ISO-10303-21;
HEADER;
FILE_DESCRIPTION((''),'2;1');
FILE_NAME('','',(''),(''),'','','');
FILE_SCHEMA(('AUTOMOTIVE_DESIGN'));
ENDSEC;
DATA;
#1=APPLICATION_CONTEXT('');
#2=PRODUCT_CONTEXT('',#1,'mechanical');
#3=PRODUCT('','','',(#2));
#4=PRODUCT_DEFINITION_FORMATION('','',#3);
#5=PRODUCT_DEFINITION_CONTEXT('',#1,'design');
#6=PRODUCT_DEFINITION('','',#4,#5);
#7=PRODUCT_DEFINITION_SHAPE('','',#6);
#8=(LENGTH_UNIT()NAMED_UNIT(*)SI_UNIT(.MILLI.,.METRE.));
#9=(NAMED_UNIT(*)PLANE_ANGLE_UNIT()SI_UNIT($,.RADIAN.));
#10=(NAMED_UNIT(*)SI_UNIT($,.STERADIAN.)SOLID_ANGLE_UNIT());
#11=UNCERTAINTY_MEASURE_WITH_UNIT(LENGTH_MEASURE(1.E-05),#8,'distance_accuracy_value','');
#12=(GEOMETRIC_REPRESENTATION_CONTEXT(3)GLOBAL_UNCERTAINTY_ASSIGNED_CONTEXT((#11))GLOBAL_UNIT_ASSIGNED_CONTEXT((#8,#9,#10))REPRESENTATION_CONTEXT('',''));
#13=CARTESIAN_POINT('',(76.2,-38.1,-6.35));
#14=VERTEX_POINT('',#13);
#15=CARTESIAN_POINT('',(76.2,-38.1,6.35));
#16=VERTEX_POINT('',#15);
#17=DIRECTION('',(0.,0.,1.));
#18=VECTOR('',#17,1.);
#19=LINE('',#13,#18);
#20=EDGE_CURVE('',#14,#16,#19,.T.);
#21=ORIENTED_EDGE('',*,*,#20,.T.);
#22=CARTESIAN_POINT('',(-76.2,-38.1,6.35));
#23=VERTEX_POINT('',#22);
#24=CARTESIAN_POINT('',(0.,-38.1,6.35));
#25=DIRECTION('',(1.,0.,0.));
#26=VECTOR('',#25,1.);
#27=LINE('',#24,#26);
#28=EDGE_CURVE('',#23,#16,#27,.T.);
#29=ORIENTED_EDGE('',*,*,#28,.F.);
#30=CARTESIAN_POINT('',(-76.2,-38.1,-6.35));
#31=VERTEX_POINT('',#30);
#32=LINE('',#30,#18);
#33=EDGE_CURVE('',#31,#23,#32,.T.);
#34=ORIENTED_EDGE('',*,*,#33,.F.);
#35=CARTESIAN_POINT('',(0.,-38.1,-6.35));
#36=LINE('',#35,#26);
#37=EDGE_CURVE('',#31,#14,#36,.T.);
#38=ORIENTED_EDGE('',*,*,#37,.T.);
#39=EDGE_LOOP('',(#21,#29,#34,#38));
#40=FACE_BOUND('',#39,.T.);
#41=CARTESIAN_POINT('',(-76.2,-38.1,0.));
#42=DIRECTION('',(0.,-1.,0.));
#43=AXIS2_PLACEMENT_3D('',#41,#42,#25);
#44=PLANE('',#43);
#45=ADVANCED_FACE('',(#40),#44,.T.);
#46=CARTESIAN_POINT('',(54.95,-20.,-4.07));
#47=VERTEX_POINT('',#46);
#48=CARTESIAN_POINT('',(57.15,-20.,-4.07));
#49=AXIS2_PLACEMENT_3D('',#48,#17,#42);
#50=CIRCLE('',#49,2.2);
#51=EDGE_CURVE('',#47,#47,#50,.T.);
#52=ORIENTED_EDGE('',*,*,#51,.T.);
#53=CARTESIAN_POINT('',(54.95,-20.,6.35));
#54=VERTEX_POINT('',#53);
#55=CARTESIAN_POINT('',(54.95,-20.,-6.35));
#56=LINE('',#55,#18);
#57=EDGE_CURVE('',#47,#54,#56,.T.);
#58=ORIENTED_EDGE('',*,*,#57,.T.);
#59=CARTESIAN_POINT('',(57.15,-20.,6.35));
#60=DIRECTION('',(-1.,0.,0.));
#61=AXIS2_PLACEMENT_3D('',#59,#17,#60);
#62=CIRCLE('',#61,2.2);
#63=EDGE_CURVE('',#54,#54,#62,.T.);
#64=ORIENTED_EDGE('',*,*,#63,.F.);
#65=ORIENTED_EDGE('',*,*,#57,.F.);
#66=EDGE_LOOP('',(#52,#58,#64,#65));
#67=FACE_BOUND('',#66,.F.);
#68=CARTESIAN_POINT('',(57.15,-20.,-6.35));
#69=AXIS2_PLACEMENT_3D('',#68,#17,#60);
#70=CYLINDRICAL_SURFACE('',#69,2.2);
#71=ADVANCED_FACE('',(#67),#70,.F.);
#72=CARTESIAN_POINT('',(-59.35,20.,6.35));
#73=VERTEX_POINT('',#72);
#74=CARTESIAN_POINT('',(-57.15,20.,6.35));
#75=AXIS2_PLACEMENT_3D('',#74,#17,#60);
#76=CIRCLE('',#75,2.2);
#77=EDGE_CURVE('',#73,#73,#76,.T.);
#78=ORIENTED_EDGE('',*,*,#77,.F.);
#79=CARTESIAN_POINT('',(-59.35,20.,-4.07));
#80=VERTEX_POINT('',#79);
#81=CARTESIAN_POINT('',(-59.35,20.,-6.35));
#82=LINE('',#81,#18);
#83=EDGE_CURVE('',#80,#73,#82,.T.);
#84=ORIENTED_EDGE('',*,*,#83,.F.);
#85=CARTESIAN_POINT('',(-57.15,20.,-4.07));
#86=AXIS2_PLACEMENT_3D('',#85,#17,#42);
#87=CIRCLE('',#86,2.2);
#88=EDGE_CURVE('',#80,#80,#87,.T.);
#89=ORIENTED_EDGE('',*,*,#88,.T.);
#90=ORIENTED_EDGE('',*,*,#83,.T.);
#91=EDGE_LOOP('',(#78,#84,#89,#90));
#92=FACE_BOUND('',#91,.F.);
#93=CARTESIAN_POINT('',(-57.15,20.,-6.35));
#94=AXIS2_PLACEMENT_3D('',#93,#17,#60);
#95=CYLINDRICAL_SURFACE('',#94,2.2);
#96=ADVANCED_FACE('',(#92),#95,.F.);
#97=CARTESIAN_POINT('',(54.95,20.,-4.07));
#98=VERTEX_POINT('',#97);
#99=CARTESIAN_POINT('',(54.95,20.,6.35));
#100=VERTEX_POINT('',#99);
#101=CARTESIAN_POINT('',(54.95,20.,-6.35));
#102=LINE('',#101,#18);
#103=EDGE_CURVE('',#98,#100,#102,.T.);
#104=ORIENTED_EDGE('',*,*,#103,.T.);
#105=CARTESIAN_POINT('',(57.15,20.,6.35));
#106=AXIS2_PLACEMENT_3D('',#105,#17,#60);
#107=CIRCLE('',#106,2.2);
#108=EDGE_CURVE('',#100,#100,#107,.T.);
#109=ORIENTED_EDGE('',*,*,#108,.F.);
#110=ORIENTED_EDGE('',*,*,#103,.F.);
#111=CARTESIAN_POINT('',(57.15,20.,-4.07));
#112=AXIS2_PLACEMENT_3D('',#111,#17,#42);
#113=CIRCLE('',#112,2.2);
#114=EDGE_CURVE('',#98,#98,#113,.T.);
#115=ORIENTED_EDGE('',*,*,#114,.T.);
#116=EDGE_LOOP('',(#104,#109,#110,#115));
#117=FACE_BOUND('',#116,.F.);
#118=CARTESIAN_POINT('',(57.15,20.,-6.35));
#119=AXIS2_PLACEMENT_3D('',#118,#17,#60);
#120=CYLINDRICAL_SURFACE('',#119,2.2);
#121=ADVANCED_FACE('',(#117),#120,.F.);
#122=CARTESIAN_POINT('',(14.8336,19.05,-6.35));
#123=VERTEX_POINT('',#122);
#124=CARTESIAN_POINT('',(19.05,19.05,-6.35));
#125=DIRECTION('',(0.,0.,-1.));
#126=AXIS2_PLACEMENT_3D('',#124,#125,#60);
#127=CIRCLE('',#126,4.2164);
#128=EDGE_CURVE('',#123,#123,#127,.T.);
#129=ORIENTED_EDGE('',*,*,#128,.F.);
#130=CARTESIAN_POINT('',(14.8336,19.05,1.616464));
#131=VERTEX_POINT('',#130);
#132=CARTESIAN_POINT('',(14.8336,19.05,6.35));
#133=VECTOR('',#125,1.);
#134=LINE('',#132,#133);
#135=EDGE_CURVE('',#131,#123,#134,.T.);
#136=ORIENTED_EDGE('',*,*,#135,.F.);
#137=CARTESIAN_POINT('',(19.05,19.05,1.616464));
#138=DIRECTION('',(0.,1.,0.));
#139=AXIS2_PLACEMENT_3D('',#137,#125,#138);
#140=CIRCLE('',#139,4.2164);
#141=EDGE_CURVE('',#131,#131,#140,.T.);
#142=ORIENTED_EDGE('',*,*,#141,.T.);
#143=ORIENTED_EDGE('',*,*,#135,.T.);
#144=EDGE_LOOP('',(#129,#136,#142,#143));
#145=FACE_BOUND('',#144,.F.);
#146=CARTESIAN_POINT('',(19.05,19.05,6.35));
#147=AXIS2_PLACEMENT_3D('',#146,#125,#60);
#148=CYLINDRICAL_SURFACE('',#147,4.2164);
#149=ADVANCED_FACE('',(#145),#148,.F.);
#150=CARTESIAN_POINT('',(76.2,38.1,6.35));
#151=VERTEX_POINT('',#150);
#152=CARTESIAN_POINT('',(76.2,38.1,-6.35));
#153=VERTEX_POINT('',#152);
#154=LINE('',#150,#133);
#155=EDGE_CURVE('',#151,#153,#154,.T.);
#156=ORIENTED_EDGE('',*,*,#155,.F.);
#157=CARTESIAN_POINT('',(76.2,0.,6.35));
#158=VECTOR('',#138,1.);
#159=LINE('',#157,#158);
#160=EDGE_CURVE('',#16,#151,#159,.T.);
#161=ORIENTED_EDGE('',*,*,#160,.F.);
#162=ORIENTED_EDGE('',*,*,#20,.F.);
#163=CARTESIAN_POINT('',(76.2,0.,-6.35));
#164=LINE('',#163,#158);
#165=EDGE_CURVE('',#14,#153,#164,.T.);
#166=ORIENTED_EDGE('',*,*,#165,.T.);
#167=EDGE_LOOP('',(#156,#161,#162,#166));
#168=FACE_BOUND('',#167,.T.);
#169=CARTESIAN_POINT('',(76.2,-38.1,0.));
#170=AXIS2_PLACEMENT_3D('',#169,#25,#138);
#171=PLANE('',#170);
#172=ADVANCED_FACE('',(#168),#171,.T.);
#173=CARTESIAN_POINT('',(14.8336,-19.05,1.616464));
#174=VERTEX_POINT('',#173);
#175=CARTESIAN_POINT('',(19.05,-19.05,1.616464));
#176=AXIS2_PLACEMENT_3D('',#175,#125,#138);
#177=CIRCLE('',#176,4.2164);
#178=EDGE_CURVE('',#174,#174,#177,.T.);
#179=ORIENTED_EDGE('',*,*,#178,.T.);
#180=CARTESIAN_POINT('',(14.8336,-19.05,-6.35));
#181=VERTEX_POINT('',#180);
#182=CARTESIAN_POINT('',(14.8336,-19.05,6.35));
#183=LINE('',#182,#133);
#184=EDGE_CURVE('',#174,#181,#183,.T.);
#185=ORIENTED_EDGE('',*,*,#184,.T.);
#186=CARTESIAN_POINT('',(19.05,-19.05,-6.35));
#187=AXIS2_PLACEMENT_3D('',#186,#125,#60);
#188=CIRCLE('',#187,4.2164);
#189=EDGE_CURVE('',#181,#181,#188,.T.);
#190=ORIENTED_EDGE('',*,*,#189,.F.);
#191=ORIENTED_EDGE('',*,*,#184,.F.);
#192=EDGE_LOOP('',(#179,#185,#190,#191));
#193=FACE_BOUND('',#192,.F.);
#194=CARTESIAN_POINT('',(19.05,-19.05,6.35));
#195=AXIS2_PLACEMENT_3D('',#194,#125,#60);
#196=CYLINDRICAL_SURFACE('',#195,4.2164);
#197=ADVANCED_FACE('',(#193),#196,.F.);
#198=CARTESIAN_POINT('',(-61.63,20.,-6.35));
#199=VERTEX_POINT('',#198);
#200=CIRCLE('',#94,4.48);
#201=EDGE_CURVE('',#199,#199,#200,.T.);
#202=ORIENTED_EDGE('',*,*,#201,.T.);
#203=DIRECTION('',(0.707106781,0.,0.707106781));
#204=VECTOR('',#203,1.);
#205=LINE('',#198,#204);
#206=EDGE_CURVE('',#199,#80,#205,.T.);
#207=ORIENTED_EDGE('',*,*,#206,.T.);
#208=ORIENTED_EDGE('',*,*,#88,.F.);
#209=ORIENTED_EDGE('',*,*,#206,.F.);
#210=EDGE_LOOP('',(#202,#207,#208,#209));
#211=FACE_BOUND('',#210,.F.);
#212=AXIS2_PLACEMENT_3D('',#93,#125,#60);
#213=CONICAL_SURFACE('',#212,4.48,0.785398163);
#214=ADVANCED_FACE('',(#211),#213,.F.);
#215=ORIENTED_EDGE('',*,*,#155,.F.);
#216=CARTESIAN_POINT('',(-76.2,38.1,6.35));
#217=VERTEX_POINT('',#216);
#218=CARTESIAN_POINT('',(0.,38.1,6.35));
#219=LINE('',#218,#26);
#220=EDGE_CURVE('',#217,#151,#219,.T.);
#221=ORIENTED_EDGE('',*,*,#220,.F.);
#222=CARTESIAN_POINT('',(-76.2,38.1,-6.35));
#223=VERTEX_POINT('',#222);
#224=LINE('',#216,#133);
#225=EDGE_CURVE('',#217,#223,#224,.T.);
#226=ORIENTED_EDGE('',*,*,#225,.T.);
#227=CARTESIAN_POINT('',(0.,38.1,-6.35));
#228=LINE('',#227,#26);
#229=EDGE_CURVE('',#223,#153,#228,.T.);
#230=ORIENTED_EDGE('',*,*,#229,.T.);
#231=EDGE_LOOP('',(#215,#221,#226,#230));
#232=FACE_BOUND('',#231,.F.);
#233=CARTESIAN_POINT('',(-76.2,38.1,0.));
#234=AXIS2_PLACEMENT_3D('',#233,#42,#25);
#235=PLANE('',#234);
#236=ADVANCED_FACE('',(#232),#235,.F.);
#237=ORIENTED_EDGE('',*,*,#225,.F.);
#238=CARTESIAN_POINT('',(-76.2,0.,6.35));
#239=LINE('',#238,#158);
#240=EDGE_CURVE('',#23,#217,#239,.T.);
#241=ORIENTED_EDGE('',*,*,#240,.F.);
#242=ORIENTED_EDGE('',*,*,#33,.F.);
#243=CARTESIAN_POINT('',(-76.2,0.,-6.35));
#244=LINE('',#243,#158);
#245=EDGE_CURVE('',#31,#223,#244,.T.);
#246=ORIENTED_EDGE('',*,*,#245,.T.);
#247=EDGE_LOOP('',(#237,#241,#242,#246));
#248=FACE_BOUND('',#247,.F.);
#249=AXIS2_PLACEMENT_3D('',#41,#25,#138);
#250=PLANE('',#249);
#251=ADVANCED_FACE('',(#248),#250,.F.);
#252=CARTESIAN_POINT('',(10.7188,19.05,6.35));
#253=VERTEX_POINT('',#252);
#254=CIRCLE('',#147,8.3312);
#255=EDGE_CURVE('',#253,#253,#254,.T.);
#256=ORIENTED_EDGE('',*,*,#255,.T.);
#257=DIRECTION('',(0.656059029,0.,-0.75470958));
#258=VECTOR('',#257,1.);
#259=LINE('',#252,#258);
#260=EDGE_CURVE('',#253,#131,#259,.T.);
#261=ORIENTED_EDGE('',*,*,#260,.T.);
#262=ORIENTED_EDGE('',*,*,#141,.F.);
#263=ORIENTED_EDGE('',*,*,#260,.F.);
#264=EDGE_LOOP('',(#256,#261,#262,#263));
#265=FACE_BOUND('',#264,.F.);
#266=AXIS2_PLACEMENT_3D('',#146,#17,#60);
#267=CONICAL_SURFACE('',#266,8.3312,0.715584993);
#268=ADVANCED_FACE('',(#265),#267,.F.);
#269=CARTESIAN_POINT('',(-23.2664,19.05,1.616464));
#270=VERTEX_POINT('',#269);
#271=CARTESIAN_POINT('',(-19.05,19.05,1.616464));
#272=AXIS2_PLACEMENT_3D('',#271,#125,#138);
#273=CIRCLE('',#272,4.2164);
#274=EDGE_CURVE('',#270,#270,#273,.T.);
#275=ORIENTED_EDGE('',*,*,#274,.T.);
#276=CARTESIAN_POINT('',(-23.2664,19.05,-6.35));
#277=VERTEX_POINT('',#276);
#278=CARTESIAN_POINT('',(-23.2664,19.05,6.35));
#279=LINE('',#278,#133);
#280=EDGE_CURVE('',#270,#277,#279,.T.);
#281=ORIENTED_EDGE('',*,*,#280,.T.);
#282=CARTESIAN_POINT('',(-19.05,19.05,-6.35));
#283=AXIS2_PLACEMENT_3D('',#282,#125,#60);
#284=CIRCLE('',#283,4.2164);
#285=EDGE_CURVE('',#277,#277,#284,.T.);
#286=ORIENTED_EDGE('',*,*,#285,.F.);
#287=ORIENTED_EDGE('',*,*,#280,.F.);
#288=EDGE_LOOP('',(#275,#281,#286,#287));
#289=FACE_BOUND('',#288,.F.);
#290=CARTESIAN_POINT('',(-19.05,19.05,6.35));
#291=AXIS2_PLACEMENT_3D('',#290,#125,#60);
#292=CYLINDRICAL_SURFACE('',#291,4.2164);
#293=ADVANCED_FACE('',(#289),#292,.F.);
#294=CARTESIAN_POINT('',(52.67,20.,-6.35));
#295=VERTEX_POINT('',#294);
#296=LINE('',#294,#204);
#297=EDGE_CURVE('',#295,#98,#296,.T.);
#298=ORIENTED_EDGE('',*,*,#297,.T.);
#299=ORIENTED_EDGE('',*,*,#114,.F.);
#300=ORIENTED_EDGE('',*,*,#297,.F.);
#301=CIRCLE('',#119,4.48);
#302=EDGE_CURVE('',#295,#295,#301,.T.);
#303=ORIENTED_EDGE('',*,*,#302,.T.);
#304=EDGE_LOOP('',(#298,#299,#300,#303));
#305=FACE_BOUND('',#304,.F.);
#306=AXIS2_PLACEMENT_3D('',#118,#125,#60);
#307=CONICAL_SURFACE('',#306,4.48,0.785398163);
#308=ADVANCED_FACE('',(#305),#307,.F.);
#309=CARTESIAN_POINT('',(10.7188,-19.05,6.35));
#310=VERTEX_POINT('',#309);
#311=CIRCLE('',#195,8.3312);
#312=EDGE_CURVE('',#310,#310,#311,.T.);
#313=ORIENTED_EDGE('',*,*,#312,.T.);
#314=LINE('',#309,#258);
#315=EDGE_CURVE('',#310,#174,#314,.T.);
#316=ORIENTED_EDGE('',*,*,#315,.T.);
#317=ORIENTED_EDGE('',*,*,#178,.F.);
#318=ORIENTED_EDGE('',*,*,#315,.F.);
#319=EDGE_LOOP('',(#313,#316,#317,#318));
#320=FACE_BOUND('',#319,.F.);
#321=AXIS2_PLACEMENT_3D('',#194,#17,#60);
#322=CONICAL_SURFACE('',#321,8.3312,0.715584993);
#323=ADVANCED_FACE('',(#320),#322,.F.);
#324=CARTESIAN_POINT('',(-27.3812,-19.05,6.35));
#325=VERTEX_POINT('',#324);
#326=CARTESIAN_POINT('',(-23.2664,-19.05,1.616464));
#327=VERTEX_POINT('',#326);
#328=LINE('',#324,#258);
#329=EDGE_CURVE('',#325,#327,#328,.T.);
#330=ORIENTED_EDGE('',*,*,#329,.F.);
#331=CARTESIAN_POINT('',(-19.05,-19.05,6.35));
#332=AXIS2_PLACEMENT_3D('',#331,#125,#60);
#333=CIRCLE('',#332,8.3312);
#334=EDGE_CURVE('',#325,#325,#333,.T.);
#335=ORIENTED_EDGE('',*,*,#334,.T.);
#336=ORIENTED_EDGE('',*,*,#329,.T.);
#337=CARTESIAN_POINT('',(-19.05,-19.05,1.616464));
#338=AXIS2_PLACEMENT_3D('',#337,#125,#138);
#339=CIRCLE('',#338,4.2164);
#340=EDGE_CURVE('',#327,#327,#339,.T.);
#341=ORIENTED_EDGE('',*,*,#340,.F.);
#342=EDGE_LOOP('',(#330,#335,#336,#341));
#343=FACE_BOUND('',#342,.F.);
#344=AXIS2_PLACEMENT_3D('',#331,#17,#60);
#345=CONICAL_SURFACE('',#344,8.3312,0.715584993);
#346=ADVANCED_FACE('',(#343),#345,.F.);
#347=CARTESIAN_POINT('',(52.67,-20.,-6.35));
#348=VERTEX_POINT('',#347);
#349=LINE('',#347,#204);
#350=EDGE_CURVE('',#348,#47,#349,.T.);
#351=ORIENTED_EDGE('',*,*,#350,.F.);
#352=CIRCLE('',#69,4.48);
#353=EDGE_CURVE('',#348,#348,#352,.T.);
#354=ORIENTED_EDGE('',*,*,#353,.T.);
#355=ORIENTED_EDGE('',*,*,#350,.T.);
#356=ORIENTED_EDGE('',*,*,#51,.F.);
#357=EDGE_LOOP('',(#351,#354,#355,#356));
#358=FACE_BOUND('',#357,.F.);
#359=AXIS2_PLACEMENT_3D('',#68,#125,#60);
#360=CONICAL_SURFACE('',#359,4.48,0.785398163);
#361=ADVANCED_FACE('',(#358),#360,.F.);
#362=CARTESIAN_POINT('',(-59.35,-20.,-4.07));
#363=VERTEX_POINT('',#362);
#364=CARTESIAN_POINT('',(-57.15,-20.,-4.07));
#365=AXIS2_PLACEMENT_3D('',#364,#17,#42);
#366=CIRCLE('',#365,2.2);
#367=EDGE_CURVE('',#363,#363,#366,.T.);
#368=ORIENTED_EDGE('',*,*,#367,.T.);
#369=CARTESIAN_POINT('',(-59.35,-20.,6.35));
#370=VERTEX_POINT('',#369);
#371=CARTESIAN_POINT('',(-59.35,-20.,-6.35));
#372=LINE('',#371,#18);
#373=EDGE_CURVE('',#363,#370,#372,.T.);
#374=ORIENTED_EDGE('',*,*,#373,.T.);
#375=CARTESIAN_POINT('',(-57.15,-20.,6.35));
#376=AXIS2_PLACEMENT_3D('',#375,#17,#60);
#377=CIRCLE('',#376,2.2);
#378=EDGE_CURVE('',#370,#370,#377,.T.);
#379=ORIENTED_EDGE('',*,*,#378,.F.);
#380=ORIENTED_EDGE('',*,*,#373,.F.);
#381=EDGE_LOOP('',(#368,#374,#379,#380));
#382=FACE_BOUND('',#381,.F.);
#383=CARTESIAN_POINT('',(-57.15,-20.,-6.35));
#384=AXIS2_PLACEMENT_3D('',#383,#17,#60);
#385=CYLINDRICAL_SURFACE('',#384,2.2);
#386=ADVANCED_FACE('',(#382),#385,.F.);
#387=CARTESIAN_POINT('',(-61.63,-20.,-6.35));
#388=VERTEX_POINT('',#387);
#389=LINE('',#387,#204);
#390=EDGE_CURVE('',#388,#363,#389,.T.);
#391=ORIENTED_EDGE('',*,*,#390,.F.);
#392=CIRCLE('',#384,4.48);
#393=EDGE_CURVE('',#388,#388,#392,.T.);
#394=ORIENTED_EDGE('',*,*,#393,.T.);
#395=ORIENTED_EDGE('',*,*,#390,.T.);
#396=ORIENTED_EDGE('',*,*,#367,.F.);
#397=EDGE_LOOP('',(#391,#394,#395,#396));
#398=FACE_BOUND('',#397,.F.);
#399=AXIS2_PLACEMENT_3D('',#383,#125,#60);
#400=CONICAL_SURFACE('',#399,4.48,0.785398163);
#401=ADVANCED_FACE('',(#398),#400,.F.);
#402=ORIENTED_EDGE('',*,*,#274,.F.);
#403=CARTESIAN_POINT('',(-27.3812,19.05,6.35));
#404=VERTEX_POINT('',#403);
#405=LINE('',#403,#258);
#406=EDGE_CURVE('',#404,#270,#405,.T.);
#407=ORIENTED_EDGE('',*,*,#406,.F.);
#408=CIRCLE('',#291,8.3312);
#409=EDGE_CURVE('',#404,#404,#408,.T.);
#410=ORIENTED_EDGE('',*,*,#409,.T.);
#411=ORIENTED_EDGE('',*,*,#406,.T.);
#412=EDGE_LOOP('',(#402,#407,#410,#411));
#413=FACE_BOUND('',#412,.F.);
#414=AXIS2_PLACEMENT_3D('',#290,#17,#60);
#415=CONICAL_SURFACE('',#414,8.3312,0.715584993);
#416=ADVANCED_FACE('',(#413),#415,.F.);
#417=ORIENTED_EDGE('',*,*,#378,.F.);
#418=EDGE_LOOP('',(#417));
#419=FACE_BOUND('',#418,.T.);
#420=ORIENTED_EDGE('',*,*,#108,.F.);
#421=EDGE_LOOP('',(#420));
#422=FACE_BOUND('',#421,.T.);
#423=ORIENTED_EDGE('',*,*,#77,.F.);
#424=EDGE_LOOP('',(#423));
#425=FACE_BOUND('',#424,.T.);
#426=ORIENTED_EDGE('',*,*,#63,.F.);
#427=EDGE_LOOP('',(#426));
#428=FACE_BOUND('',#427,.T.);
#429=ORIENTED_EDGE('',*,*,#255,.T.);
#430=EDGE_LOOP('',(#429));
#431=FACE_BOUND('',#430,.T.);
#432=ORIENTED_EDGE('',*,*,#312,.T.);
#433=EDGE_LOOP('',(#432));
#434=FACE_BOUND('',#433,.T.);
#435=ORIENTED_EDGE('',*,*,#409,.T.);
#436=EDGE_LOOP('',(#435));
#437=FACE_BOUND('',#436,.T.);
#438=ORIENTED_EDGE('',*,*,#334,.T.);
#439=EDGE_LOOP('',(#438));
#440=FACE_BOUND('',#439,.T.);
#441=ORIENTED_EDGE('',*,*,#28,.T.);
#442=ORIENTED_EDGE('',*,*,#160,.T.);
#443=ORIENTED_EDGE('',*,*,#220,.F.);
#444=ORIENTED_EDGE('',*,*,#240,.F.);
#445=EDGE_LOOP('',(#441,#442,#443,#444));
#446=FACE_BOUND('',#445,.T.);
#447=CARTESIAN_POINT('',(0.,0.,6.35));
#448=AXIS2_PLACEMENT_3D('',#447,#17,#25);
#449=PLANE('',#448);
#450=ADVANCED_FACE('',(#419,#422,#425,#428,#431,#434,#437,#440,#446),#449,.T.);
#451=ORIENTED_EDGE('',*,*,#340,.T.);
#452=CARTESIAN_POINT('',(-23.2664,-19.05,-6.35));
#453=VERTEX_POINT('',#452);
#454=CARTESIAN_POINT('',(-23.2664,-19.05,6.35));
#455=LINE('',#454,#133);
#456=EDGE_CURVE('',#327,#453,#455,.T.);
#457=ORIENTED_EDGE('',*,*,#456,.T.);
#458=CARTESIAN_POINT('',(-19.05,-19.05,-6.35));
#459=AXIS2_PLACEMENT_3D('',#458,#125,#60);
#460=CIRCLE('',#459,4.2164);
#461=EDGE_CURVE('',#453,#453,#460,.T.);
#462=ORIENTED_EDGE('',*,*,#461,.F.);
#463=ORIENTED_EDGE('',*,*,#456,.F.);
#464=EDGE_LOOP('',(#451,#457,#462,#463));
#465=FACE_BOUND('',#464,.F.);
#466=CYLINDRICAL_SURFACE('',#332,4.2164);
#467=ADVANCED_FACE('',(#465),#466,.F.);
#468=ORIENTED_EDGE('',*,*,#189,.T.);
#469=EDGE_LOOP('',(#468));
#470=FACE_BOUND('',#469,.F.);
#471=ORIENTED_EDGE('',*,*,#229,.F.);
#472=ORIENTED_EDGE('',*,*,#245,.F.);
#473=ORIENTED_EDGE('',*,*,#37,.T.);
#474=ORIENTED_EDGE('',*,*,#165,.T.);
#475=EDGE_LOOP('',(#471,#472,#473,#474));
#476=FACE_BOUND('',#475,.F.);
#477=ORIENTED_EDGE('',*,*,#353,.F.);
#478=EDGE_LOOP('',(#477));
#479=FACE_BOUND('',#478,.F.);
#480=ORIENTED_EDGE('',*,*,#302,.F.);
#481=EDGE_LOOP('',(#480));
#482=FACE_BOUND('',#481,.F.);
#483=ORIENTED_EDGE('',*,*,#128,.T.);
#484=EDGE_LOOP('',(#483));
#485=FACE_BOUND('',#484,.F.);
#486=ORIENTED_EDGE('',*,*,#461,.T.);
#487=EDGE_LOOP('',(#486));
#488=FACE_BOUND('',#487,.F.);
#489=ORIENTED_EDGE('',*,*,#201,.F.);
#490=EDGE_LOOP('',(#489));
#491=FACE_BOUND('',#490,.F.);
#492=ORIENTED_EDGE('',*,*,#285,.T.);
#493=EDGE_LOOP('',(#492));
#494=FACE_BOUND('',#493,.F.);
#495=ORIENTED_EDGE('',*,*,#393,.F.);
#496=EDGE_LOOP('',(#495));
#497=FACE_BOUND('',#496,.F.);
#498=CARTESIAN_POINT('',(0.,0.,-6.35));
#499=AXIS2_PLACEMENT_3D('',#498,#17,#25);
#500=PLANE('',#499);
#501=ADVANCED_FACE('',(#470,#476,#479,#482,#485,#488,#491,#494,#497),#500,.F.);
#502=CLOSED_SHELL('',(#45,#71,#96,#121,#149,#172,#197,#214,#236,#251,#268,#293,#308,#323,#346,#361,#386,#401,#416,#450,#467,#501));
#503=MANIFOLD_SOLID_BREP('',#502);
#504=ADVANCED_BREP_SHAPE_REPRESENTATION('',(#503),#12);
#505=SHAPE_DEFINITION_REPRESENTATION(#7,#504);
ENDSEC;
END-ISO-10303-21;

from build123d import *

# Parameters (mm, degrees)
F0_W           = 152.4
F0_H           = 76.2
F1_DEPTH       = 6.35
F3_D           = 8.4328
F3_CSINK_D     = 16.6624
F3_CSINK_ANGLE = 82
F5_D           = 4.4
F5_CSINK_D     = 8.96
F5_CSINK_ANGLE = 90


with BuildPart() as f1:
    # F0 (on Top) → F1 (new body, symmetric)
    with BuildSketch(Plane.XY):
        Rectangle(F0_W, F0_H)
    extrude(amount=F1_DEPTH, both=True)

    # F3 (through all)
    with Locations(Plane.XY.offset(6.35)):
        with Locations((-19.05, 19.05), (19.05, 19.05), (19.05, -19.05), (-19.05, -19.05)):
            CounterSinkHole(F3_D / 2, F3_CSINK_D / 2, counter_sink_angle=F3_CSINK_ANGLE)

    # F5 (through all)
    with Locations(Plane(origin=(0, 0, -6.35), x_dir=(1, 0, 0), z_dir=(0, 0, -1))):
        with Locations((-57.15, 20), (57.15, 20), (57.15, -20), (-57.15, -20)):
            CounterSinkHole(F5_D / 2, F5_CSINK_D / 2, counter_sink_angle=F5_CSINK_ANGLE)


solid = f1.part
